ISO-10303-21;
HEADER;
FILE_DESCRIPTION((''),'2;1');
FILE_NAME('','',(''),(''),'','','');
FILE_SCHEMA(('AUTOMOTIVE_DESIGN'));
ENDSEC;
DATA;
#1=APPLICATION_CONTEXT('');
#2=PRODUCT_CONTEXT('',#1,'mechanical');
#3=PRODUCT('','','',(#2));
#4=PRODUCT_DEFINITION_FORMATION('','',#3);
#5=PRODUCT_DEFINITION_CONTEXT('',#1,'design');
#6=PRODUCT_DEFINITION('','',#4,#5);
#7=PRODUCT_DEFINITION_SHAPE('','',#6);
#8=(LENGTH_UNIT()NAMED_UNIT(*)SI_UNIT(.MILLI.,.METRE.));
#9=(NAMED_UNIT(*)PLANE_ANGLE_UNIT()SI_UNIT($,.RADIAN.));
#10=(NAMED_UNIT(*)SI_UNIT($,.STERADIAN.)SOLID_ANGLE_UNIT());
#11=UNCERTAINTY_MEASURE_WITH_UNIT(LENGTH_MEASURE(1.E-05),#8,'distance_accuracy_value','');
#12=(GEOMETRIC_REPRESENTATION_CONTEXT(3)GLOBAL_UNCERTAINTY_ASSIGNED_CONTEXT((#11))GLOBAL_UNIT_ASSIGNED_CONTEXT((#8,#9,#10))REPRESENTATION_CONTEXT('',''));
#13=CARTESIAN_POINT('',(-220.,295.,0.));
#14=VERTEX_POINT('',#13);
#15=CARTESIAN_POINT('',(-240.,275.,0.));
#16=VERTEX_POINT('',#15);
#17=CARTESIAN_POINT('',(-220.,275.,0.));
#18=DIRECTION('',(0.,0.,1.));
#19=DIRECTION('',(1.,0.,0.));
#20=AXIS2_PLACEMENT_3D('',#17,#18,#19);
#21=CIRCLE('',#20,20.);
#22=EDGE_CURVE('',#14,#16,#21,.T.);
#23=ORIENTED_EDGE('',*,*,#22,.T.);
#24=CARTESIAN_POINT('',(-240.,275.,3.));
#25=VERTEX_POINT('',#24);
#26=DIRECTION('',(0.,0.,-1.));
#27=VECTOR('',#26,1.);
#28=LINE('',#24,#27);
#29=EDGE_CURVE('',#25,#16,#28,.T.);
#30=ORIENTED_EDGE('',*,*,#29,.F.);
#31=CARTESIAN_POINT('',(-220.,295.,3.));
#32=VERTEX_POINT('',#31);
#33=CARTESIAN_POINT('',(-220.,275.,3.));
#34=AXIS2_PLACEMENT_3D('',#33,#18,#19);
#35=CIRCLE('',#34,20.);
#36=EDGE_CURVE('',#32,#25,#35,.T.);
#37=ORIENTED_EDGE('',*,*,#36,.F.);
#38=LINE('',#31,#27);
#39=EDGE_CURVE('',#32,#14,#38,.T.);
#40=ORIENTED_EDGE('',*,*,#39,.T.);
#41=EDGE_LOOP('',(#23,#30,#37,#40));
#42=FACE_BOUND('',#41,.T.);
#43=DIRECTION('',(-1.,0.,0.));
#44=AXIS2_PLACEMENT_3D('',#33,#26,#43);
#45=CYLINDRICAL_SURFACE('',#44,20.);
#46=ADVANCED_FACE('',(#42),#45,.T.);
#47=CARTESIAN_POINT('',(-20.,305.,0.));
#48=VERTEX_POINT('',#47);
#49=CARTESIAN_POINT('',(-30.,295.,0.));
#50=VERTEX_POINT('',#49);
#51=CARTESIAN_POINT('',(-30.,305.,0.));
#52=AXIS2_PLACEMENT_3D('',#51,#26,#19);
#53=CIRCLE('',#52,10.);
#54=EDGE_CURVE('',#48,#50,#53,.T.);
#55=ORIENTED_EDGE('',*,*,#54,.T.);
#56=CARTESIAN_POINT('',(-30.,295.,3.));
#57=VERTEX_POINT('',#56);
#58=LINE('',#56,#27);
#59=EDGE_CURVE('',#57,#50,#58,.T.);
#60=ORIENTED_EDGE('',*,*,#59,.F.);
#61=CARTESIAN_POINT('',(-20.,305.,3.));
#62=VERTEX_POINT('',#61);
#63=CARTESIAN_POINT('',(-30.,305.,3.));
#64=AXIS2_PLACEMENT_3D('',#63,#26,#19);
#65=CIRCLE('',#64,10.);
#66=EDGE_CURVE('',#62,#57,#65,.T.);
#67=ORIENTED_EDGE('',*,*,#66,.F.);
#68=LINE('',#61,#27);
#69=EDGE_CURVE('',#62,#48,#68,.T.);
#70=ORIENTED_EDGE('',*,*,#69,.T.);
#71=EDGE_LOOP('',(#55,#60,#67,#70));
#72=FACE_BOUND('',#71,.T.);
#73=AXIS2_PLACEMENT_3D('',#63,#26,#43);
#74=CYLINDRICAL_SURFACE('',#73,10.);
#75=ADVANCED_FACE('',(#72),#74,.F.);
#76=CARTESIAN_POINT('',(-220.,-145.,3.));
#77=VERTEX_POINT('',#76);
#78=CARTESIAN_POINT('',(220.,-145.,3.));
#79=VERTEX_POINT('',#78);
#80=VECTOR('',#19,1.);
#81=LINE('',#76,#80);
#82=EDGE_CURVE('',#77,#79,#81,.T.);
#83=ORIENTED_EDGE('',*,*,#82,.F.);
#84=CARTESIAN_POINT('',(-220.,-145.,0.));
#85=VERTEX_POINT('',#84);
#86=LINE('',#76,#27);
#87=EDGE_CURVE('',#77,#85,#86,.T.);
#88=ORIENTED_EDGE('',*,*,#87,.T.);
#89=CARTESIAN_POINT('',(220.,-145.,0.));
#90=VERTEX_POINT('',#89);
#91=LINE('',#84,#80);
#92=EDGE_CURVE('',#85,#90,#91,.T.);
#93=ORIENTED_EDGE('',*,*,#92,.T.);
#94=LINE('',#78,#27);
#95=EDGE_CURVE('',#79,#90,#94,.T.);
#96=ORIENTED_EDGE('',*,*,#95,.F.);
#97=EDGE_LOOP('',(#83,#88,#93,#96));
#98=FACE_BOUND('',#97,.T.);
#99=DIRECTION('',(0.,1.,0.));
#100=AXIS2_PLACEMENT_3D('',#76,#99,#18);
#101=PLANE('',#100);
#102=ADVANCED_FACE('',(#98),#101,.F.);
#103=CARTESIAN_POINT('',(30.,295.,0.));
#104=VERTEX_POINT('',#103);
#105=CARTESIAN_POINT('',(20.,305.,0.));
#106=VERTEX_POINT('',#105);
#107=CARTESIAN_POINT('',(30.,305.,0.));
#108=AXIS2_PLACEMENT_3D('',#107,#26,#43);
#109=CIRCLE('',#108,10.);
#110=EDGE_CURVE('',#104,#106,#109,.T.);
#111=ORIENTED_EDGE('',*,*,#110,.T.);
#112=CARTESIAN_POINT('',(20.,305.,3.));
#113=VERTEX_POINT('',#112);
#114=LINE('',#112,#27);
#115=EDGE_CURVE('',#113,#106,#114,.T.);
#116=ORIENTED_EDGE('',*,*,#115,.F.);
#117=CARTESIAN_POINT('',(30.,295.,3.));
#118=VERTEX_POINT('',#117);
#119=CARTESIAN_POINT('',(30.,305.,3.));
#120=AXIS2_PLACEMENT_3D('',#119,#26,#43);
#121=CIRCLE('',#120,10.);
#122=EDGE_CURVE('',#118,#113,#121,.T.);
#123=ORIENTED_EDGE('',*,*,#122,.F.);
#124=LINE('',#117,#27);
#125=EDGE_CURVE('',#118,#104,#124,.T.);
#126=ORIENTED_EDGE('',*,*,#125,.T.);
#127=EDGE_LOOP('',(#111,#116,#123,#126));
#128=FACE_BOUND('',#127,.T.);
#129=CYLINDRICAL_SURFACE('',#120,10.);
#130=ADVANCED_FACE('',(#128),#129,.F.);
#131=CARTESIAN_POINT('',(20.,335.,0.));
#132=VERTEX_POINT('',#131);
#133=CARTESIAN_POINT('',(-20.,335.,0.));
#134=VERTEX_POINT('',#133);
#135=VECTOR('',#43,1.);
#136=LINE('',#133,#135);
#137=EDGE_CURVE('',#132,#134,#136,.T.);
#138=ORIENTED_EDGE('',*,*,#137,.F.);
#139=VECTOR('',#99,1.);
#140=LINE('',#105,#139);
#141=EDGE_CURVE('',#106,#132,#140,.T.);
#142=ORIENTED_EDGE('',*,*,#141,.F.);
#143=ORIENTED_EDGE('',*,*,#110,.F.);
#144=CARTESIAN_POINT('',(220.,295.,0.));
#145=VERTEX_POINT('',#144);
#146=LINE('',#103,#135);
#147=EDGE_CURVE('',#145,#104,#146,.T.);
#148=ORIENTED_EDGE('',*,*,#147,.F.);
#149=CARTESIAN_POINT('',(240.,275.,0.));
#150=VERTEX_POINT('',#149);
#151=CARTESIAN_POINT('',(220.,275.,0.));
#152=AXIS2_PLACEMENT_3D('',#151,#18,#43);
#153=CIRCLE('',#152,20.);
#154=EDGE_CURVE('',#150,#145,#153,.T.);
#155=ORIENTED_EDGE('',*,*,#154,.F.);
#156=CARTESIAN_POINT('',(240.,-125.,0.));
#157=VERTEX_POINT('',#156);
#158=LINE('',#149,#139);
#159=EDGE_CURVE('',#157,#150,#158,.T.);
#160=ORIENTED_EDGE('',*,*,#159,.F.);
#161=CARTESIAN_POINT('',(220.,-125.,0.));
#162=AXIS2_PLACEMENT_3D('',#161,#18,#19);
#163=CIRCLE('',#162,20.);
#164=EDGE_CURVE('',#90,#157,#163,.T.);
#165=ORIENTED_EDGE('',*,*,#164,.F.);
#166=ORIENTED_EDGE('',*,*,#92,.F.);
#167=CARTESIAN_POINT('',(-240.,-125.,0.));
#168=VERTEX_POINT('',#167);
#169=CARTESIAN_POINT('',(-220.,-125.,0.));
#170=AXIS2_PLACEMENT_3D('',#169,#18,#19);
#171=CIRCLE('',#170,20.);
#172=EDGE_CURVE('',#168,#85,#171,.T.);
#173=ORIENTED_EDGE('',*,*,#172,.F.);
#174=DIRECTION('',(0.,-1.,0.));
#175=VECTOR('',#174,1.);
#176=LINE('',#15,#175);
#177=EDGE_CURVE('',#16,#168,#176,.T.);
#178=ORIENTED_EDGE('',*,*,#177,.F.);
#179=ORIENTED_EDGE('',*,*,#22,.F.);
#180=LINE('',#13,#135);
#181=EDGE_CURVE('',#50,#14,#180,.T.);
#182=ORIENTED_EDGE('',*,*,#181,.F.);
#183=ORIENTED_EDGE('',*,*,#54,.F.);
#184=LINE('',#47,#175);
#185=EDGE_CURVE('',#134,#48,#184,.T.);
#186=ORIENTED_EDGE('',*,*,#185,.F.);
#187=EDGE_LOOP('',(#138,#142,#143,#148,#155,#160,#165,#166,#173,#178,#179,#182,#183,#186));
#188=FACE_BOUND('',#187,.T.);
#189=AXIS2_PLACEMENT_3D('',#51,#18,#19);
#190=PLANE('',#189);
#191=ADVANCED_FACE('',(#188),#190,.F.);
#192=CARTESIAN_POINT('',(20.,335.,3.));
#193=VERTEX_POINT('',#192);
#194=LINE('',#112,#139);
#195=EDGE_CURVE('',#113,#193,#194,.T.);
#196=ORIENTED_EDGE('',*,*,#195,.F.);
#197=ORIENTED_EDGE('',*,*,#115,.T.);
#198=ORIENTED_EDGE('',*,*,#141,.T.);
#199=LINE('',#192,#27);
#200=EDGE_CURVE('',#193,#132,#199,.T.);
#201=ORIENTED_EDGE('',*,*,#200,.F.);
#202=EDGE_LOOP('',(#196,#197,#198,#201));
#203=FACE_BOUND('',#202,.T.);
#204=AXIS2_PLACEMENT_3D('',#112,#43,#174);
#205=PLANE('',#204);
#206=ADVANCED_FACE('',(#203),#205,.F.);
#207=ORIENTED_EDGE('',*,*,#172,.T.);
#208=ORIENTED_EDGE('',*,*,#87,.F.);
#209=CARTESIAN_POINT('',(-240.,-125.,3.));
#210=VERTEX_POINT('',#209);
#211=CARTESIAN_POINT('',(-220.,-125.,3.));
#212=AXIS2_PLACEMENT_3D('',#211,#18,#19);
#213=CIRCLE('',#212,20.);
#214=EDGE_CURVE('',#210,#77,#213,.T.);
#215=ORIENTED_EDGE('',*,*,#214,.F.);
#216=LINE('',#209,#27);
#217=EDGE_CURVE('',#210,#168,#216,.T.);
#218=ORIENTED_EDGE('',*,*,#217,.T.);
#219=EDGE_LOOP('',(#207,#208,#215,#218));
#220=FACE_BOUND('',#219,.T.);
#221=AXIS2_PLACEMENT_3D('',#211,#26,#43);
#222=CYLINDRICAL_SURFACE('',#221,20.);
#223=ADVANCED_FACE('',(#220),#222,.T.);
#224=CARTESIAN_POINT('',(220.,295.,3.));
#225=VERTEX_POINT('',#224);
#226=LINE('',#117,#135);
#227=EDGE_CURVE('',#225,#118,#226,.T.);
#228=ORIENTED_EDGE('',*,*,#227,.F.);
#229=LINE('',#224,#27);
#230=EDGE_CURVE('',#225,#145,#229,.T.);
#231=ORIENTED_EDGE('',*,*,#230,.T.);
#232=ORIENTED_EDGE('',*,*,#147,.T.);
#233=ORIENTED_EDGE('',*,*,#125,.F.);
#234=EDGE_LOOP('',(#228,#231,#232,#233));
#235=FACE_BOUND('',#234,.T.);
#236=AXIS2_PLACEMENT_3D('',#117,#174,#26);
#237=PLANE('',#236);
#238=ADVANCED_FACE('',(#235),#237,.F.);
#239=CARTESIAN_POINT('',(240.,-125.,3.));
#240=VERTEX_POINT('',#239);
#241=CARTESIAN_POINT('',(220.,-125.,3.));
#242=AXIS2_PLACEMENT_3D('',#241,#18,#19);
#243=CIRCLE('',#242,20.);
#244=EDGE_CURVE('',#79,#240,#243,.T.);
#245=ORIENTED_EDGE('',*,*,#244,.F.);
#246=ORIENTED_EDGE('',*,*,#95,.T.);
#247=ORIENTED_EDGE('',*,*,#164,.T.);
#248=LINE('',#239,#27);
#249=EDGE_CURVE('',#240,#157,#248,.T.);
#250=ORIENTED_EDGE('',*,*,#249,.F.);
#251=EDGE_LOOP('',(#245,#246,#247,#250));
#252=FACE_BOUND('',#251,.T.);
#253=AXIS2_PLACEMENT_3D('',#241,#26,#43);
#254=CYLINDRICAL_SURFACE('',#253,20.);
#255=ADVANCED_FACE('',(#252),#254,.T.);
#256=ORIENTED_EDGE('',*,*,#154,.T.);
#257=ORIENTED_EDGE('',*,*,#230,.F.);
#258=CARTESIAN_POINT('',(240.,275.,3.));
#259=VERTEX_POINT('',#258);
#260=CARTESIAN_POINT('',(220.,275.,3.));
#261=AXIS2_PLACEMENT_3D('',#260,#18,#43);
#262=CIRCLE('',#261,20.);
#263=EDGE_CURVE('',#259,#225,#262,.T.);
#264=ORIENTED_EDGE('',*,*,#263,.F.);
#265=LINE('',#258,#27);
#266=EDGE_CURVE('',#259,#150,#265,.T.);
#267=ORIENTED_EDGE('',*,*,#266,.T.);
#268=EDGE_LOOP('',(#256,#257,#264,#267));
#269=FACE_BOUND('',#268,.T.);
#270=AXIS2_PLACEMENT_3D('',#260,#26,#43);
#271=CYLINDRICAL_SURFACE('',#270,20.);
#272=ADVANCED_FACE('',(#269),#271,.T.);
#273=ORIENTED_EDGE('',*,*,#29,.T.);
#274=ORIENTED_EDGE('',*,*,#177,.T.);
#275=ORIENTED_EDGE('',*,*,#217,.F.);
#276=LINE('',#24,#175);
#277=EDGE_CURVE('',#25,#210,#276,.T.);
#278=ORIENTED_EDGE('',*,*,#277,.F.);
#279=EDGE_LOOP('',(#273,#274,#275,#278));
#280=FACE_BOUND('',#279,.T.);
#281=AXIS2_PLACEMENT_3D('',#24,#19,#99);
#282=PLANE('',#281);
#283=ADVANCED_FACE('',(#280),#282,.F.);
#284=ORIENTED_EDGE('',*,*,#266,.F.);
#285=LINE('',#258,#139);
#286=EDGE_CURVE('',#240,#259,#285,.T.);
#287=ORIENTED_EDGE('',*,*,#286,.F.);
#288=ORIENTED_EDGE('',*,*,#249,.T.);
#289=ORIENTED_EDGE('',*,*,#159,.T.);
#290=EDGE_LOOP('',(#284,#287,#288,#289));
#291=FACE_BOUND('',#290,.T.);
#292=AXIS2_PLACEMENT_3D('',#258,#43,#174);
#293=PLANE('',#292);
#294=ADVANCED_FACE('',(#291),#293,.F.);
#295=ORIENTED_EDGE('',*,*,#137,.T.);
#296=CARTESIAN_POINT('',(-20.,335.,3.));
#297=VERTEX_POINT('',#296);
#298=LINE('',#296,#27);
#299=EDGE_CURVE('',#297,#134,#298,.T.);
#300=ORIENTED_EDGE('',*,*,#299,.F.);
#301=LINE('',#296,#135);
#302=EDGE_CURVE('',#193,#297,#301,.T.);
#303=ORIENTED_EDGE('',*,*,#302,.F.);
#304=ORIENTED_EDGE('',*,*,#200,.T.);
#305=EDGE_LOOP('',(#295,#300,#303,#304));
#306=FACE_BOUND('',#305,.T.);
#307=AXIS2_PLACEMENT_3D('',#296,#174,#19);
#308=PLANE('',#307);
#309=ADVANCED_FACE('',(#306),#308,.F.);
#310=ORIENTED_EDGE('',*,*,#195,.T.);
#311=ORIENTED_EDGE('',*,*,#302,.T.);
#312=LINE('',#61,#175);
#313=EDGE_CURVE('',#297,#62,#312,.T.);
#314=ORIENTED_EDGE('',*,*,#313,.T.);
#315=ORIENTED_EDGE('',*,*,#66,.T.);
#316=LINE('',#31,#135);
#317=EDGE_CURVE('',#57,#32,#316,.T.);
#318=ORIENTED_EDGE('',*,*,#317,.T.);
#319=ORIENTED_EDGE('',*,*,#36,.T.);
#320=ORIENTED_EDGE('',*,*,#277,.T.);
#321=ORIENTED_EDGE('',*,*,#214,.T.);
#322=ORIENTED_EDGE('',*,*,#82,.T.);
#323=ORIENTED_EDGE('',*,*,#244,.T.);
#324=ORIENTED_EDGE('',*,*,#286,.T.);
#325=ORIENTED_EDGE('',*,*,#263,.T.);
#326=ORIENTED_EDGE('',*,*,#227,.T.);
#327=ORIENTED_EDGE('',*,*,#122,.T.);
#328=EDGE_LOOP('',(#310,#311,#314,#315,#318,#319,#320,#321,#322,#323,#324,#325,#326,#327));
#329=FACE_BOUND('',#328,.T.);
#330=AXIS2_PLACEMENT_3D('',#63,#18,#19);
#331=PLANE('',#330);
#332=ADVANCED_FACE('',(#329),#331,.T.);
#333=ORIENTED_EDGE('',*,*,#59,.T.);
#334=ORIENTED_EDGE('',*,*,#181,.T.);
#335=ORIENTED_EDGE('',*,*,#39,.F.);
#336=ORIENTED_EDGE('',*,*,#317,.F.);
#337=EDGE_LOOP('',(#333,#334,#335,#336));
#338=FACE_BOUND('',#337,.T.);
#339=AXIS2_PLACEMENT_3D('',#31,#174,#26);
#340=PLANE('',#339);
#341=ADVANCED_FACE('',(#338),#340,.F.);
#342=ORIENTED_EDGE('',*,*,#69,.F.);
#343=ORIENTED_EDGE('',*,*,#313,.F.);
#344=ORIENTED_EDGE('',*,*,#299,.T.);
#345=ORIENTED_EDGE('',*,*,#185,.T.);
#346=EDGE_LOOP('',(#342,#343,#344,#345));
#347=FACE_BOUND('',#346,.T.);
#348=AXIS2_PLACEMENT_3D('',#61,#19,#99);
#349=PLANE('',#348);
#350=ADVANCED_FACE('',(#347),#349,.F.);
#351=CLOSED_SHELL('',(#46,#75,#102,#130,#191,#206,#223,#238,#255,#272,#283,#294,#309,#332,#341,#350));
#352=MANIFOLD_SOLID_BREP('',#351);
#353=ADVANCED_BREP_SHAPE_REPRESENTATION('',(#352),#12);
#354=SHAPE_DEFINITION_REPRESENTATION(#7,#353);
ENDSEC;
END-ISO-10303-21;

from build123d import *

# Parameters (mm, degrees)
BOSS_EXTRU_1_DEPTH = 3


with BuildPart() as part:
    # Esquisse1 → Boss.-Extru.1 (new body)
    with BuildSketch(Plane.XY):
        with BuildLine():
            Line((-220, 295), (-30, 295))
            ThreePointArc((-30, 295), (-22.928932188, 297.928932188), (-20, 305))
            Line((-20, 305), (-20, 335))
            Line((-20, 335), (20, 335))
            Line((20, 335), (20, 305))
            ThreePointArc((20, 305), (22.928932188, 297.928932188), (30, 295))
            Line((30, 295), (220, 295))
            ThreePointArc((220, 295), (234.142135624, 289.142135624), (240, 275))
            Line((240, 275), (240, -125))
            ThreePointArc((240, -125), (234.142135624, -139.142135624), (220, -145))
            Line((220, -145), (-220, -145))
            ThreePointArc((-220, -145), (-234.142135624, -139.142135624), (-240, -125))
            Line((-240, -125), (-240, 275))
            ThreePointArc((-240, 275), (-234.142135624, 289.142135624), (-220, 295))
        make_face()
    extrude(amount=BOSS_EXTRU_1_DEPTH)


solid = part.part
